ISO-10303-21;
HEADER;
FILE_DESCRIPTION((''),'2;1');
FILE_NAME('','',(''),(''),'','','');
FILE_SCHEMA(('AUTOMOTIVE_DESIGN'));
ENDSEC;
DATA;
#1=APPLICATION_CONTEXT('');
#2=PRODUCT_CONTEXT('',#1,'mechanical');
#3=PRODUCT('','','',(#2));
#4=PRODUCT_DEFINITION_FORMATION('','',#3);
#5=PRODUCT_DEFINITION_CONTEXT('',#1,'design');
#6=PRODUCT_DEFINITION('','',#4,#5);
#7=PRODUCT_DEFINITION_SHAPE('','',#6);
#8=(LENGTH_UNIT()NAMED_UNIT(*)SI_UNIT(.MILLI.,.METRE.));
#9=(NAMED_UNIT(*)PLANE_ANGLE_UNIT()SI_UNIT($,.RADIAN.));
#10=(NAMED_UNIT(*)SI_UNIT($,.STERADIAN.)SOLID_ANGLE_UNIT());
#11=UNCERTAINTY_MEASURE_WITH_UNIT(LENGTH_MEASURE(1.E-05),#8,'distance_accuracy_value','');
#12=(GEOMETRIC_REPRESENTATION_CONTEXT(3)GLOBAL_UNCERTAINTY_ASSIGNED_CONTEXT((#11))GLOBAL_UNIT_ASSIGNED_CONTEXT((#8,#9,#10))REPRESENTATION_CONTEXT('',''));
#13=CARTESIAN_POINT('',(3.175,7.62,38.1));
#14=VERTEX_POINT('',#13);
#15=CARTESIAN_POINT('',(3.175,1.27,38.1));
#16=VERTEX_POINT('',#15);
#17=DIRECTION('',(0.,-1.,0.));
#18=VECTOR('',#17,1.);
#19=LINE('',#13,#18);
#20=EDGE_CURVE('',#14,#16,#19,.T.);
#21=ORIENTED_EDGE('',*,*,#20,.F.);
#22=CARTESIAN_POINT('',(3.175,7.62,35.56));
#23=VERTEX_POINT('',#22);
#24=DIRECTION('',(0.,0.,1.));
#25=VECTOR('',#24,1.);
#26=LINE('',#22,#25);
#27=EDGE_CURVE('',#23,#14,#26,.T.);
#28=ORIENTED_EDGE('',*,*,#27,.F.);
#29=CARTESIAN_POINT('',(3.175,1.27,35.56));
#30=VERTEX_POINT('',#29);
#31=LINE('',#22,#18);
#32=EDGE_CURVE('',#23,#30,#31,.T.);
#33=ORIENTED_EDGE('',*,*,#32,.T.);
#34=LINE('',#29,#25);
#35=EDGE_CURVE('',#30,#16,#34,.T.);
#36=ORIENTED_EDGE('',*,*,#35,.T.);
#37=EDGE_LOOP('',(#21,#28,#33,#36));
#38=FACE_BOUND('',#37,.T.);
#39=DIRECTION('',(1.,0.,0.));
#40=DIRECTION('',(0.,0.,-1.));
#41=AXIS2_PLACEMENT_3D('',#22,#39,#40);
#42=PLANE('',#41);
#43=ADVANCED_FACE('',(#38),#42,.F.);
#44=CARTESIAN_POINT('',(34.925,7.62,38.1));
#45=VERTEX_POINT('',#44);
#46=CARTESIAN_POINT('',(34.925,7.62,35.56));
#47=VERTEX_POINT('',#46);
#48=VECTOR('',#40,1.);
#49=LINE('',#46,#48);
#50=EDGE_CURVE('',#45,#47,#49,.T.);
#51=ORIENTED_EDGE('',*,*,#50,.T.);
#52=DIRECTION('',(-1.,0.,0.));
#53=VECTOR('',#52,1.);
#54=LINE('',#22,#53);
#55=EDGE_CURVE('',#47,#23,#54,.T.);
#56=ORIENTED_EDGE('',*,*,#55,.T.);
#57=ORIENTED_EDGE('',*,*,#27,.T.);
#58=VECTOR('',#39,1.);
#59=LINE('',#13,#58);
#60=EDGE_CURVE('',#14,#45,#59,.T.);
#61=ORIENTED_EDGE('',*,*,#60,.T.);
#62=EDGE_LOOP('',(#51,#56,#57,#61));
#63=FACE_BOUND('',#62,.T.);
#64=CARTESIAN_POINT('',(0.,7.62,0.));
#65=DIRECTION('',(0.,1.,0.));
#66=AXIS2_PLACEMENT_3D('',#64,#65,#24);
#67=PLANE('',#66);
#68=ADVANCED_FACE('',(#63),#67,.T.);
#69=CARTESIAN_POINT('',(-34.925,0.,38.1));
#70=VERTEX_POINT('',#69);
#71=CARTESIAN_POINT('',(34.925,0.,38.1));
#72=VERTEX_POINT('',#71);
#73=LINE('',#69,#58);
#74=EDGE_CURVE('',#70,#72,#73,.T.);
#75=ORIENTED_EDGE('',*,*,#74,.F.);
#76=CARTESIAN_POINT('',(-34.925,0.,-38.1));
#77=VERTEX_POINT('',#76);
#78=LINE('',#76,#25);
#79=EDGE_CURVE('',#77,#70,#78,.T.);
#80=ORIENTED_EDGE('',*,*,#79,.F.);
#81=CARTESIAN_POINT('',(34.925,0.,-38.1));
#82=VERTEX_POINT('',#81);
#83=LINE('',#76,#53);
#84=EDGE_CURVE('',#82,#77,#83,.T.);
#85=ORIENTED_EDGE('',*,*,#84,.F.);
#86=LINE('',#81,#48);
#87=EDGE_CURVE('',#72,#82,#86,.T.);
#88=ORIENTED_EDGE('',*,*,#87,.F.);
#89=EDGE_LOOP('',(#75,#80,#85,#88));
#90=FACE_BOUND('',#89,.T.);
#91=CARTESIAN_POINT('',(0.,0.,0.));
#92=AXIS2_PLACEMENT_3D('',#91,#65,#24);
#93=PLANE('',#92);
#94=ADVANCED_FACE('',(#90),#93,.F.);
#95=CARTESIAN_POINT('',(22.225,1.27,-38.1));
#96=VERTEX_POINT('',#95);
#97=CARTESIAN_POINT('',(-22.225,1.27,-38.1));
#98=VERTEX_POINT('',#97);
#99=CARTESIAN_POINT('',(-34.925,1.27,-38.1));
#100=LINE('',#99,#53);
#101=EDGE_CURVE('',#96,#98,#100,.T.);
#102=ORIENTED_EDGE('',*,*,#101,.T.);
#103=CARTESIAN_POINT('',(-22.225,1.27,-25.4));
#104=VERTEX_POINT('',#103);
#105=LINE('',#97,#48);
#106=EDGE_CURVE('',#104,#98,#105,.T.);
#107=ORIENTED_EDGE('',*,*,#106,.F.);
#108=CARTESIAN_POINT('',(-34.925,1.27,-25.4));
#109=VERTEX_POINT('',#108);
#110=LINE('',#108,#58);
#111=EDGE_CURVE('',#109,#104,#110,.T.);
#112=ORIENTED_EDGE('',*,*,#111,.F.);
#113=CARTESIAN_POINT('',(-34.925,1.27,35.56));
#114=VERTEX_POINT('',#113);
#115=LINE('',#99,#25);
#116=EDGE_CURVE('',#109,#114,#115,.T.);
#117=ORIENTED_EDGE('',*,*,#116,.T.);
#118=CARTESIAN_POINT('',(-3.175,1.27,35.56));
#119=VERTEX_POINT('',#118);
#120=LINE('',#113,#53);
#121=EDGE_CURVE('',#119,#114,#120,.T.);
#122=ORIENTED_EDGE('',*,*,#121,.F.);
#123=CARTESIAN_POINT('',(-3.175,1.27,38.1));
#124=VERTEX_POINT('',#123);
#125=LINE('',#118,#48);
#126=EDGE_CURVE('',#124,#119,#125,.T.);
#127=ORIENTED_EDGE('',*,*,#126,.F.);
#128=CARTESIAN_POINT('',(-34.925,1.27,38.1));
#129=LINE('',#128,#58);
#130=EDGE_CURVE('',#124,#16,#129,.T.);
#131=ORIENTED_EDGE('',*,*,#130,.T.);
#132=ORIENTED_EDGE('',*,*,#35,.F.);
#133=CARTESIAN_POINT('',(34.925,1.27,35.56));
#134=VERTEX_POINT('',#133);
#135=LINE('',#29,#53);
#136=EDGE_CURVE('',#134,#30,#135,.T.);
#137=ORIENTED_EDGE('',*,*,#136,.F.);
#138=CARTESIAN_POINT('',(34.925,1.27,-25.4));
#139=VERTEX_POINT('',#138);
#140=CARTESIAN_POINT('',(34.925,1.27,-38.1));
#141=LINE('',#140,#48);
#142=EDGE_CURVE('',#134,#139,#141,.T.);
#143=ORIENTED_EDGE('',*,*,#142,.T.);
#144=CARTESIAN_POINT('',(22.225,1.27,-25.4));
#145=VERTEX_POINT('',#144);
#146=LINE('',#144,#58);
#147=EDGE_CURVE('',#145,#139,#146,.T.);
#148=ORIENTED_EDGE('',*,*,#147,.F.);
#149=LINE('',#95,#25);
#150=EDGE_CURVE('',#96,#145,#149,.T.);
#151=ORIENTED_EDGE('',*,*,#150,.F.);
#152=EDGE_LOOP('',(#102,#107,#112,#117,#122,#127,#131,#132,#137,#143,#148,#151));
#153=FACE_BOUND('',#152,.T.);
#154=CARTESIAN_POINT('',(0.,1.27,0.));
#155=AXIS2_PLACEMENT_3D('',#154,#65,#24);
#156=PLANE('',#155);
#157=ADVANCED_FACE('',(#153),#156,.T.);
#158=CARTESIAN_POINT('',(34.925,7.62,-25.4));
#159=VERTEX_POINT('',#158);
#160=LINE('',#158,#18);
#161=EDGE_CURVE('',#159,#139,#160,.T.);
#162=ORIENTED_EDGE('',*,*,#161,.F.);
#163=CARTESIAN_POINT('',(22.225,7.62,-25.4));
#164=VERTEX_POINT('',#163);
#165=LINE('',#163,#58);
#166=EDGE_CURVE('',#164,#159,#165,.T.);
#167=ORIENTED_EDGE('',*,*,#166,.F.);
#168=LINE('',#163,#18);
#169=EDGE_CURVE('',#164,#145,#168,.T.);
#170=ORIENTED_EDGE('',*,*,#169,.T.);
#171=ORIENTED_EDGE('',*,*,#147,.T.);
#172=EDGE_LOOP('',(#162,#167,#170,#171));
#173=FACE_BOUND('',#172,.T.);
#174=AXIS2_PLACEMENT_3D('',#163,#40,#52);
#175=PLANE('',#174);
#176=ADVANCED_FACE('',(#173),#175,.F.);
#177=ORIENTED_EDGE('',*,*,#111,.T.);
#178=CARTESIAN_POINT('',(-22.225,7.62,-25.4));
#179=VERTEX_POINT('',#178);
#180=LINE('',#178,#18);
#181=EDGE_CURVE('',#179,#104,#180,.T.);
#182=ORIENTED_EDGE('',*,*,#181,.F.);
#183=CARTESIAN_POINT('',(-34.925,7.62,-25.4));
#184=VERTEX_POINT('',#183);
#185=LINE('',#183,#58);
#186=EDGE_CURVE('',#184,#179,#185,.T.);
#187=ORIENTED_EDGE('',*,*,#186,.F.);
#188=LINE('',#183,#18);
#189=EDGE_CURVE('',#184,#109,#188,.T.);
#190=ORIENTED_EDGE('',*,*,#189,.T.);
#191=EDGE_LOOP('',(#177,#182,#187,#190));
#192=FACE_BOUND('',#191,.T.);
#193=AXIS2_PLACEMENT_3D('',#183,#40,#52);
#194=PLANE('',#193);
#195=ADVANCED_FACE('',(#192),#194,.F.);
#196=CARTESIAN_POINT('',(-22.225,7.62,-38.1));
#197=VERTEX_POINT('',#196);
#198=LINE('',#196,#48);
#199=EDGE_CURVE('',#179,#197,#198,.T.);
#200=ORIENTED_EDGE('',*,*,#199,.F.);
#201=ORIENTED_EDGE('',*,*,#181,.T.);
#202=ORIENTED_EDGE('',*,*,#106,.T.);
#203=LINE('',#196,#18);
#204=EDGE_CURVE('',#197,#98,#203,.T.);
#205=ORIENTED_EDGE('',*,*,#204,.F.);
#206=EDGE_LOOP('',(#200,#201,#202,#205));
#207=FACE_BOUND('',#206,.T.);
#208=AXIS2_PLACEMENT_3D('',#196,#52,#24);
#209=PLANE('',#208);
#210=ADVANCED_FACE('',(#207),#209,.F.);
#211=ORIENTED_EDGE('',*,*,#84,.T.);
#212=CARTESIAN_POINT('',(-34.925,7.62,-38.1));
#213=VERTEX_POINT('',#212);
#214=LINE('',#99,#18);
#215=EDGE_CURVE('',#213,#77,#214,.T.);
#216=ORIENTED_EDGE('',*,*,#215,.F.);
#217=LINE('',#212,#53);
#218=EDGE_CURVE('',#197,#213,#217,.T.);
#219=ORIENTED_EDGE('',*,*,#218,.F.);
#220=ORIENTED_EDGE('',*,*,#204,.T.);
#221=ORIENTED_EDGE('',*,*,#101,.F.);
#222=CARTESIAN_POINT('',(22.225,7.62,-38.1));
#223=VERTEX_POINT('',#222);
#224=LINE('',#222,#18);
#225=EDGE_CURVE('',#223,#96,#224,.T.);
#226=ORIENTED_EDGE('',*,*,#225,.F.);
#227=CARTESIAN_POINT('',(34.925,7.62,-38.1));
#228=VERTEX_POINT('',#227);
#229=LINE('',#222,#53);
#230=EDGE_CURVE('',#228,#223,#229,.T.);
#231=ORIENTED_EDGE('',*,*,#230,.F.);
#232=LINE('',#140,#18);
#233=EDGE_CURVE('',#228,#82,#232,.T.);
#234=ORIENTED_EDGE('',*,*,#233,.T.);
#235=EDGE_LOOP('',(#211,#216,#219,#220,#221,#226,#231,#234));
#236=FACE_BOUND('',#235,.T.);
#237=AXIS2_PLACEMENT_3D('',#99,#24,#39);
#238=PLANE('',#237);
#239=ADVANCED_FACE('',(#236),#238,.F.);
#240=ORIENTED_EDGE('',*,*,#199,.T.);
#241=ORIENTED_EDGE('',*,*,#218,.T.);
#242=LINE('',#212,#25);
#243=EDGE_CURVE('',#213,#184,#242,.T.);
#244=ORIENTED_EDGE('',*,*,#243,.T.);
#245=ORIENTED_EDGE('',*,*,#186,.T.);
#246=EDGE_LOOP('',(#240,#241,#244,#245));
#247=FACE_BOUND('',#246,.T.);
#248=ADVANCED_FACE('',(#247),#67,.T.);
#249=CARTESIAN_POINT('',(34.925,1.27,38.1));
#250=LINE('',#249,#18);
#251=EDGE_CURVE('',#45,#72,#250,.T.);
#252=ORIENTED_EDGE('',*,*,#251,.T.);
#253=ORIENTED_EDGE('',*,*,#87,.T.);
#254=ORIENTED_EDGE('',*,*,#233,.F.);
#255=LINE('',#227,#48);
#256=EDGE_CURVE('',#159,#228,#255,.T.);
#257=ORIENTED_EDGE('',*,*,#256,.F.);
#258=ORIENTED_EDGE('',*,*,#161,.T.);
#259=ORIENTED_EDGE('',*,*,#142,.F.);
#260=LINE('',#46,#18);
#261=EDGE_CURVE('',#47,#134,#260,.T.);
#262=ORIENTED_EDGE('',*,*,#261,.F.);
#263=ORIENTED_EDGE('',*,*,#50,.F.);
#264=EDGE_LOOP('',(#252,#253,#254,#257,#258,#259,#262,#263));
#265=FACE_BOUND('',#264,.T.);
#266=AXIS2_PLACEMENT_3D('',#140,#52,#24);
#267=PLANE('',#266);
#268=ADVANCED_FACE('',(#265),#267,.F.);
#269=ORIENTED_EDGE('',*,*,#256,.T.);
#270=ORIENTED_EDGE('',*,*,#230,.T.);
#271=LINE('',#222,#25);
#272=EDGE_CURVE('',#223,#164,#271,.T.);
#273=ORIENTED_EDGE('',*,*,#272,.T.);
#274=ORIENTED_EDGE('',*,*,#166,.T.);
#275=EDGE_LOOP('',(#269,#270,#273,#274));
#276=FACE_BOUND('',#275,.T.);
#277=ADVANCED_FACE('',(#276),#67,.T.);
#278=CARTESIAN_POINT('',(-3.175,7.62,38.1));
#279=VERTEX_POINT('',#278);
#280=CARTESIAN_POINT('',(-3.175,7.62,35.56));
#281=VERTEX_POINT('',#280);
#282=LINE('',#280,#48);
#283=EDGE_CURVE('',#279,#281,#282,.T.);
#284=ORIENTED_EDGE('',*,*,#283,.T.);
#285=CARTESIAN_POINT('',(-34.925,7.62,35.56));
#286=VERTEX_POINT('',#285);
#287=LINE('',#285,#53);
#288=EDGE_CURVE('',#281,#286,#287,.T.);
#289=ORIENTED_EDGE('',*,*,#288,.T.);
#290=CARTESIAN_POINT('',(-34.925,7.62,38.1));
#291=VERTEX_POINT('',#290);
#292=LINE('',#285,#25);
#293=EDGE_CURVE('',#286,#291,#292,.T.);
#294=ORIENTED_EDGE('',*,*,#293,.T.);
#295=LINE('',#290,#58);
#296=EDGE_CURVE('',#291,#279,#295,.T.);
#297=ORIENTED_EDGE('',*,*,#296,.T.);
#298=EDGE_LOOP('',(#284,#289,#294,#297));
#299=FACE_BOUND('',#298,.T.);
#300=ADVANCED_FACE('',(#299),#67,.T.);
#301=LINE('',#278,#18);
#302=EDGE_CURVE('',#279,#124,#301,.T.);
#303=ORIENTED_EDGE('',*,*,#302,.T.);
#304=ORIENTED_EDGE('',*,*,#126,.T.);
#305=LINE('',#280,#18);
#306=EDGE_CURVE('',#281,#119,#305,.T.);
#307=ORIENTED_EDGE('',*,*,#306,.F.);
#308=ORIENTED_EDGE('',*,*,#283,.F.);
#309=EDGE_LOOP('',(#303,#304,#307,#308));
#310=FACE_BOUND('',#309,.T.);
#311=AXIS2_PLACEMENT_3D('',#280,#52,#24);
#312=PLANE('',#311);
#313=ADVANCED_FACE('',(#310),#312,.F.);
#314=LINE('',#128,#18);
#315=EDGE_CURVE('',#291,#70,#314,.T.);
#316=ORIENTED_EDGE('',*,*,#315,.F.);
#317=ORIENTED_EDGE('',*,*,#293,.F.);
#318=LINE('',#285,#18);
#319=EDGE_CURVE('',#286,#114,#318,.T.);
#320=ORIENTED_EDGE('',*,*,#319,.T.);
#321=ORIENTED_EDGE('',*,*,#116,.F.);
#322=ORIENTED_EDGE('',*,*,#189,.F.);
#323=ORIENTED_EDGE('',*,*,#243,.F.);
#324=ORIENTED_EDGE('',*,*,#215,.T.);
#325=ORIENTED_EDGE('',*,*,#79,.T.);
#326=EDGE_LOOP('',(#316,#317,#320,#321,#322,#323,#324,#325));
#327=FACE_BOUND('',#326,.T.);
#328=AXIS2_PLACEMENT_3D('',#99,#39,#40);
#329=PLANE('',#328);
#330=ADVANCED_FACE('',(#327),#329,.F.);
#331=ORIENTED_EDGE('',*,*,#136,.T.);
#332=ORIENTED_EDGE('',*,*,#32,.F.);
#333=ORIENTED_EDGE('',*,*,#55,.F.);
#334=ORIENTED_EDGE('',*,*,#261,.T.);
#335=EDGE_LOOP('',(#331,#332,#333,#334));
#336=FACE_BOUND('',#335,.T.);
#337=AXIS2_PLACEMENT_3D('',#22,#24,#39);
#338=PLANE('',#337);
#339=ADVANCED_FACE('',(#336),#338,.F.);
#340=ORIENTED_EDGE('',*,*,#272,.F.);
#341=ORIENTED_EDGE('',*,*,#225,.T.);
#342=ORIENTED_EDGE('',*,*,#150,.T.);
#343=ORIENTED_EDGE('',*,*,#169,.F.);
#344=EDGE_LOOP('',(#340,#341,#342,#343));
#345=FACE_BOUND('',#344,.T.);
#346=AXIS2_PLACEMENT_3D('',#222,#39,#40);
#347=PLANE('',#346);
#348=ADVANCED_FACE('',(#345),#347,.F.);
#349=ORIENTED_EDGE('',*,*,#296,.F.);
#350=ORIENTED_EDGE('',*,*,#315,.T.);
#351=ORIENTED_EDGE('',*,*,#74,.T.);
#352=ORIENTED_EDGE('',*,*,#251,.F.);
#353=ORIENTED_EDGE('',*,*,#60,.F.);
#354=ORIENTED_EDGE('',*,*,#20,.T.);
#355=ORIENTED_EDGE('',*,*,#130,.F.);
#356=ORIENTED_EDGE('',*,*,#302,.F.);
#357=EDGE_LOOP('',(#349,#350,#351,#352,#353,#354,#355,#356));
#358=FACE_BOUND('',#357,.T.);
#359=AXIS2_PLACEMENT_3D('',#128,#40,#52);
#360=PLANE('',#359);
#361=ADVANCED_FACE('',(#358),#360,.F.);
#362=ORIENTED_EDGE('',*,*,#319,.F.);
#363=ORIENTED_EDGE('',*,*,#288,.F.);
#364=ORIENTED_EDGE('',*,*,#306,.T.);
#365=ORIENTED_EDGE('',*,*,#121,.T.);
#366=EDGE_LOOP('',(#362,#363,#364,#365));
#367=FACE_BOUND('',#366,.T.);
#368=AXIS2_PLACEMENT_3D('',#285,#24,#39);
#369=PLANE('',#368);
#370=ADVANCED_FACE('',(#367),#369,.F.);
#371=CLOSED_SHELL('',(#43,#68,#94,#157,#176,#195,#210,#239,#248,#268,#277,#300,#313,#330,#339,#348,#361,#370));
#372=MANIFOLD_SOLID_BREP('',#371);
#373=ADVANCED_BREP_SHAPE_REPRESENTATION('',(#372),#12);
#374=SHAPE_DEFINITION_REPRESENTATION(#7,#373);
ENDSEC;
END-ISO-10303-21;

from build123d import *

# Parameters (mm, degrees)
SKETCH1_W           = 69.85
SKETCH1_H           = 76.2
BOSS_EXTRUDE1_DEPTH = 1.27
SKETCH2_W           = 12.7
SKETCH2_H           = 12.7
SKETCH2_W_2         = 31.75
SKETCH2_H_2         = 2.54
BOSS_EXTRUDE2_DEPTH = 6.35


with BuildPart() as part:
    # Sketch1 → Boss-Extrude1 (new body)
    with BuildSketch(Plane(origin=(0, 0, 0), x_dir=(1, 0, 0), z_dir=(0, 1, 0))):
        Rectangle(SKETCH1_W, SKETCH1_H)
    extrude(amount=BOSS_EXTRUDE1_DEPTH)

    # Sketch2 → Boss-Extrude2 (add)
    with BuildSketch(Plane(origin=(0, 1.27, 0), x_dir=(1, 0, 0), z_dir=(0, 1, 0))):
        with Locations((-28.575, 31.75)):
            Rectangle(SKETCH2_W, SKETCH2_H)
        with Locations((28.575, 31.75)):
            Rectangle(SKETCH2_W, SKETCH2_H)
        with Locations((19.05, -36.83)):
            Rectangle(SKETCH2_W_2, SKETCH2_H_2)
        with Locations((-19.05, -36.83)):
            Rectangle(SKETCH2_W_2, SKETCH2_H_2)
    extrude(amount=BOSS_EXTRUDE2_DEPTH)


solid = part.part
